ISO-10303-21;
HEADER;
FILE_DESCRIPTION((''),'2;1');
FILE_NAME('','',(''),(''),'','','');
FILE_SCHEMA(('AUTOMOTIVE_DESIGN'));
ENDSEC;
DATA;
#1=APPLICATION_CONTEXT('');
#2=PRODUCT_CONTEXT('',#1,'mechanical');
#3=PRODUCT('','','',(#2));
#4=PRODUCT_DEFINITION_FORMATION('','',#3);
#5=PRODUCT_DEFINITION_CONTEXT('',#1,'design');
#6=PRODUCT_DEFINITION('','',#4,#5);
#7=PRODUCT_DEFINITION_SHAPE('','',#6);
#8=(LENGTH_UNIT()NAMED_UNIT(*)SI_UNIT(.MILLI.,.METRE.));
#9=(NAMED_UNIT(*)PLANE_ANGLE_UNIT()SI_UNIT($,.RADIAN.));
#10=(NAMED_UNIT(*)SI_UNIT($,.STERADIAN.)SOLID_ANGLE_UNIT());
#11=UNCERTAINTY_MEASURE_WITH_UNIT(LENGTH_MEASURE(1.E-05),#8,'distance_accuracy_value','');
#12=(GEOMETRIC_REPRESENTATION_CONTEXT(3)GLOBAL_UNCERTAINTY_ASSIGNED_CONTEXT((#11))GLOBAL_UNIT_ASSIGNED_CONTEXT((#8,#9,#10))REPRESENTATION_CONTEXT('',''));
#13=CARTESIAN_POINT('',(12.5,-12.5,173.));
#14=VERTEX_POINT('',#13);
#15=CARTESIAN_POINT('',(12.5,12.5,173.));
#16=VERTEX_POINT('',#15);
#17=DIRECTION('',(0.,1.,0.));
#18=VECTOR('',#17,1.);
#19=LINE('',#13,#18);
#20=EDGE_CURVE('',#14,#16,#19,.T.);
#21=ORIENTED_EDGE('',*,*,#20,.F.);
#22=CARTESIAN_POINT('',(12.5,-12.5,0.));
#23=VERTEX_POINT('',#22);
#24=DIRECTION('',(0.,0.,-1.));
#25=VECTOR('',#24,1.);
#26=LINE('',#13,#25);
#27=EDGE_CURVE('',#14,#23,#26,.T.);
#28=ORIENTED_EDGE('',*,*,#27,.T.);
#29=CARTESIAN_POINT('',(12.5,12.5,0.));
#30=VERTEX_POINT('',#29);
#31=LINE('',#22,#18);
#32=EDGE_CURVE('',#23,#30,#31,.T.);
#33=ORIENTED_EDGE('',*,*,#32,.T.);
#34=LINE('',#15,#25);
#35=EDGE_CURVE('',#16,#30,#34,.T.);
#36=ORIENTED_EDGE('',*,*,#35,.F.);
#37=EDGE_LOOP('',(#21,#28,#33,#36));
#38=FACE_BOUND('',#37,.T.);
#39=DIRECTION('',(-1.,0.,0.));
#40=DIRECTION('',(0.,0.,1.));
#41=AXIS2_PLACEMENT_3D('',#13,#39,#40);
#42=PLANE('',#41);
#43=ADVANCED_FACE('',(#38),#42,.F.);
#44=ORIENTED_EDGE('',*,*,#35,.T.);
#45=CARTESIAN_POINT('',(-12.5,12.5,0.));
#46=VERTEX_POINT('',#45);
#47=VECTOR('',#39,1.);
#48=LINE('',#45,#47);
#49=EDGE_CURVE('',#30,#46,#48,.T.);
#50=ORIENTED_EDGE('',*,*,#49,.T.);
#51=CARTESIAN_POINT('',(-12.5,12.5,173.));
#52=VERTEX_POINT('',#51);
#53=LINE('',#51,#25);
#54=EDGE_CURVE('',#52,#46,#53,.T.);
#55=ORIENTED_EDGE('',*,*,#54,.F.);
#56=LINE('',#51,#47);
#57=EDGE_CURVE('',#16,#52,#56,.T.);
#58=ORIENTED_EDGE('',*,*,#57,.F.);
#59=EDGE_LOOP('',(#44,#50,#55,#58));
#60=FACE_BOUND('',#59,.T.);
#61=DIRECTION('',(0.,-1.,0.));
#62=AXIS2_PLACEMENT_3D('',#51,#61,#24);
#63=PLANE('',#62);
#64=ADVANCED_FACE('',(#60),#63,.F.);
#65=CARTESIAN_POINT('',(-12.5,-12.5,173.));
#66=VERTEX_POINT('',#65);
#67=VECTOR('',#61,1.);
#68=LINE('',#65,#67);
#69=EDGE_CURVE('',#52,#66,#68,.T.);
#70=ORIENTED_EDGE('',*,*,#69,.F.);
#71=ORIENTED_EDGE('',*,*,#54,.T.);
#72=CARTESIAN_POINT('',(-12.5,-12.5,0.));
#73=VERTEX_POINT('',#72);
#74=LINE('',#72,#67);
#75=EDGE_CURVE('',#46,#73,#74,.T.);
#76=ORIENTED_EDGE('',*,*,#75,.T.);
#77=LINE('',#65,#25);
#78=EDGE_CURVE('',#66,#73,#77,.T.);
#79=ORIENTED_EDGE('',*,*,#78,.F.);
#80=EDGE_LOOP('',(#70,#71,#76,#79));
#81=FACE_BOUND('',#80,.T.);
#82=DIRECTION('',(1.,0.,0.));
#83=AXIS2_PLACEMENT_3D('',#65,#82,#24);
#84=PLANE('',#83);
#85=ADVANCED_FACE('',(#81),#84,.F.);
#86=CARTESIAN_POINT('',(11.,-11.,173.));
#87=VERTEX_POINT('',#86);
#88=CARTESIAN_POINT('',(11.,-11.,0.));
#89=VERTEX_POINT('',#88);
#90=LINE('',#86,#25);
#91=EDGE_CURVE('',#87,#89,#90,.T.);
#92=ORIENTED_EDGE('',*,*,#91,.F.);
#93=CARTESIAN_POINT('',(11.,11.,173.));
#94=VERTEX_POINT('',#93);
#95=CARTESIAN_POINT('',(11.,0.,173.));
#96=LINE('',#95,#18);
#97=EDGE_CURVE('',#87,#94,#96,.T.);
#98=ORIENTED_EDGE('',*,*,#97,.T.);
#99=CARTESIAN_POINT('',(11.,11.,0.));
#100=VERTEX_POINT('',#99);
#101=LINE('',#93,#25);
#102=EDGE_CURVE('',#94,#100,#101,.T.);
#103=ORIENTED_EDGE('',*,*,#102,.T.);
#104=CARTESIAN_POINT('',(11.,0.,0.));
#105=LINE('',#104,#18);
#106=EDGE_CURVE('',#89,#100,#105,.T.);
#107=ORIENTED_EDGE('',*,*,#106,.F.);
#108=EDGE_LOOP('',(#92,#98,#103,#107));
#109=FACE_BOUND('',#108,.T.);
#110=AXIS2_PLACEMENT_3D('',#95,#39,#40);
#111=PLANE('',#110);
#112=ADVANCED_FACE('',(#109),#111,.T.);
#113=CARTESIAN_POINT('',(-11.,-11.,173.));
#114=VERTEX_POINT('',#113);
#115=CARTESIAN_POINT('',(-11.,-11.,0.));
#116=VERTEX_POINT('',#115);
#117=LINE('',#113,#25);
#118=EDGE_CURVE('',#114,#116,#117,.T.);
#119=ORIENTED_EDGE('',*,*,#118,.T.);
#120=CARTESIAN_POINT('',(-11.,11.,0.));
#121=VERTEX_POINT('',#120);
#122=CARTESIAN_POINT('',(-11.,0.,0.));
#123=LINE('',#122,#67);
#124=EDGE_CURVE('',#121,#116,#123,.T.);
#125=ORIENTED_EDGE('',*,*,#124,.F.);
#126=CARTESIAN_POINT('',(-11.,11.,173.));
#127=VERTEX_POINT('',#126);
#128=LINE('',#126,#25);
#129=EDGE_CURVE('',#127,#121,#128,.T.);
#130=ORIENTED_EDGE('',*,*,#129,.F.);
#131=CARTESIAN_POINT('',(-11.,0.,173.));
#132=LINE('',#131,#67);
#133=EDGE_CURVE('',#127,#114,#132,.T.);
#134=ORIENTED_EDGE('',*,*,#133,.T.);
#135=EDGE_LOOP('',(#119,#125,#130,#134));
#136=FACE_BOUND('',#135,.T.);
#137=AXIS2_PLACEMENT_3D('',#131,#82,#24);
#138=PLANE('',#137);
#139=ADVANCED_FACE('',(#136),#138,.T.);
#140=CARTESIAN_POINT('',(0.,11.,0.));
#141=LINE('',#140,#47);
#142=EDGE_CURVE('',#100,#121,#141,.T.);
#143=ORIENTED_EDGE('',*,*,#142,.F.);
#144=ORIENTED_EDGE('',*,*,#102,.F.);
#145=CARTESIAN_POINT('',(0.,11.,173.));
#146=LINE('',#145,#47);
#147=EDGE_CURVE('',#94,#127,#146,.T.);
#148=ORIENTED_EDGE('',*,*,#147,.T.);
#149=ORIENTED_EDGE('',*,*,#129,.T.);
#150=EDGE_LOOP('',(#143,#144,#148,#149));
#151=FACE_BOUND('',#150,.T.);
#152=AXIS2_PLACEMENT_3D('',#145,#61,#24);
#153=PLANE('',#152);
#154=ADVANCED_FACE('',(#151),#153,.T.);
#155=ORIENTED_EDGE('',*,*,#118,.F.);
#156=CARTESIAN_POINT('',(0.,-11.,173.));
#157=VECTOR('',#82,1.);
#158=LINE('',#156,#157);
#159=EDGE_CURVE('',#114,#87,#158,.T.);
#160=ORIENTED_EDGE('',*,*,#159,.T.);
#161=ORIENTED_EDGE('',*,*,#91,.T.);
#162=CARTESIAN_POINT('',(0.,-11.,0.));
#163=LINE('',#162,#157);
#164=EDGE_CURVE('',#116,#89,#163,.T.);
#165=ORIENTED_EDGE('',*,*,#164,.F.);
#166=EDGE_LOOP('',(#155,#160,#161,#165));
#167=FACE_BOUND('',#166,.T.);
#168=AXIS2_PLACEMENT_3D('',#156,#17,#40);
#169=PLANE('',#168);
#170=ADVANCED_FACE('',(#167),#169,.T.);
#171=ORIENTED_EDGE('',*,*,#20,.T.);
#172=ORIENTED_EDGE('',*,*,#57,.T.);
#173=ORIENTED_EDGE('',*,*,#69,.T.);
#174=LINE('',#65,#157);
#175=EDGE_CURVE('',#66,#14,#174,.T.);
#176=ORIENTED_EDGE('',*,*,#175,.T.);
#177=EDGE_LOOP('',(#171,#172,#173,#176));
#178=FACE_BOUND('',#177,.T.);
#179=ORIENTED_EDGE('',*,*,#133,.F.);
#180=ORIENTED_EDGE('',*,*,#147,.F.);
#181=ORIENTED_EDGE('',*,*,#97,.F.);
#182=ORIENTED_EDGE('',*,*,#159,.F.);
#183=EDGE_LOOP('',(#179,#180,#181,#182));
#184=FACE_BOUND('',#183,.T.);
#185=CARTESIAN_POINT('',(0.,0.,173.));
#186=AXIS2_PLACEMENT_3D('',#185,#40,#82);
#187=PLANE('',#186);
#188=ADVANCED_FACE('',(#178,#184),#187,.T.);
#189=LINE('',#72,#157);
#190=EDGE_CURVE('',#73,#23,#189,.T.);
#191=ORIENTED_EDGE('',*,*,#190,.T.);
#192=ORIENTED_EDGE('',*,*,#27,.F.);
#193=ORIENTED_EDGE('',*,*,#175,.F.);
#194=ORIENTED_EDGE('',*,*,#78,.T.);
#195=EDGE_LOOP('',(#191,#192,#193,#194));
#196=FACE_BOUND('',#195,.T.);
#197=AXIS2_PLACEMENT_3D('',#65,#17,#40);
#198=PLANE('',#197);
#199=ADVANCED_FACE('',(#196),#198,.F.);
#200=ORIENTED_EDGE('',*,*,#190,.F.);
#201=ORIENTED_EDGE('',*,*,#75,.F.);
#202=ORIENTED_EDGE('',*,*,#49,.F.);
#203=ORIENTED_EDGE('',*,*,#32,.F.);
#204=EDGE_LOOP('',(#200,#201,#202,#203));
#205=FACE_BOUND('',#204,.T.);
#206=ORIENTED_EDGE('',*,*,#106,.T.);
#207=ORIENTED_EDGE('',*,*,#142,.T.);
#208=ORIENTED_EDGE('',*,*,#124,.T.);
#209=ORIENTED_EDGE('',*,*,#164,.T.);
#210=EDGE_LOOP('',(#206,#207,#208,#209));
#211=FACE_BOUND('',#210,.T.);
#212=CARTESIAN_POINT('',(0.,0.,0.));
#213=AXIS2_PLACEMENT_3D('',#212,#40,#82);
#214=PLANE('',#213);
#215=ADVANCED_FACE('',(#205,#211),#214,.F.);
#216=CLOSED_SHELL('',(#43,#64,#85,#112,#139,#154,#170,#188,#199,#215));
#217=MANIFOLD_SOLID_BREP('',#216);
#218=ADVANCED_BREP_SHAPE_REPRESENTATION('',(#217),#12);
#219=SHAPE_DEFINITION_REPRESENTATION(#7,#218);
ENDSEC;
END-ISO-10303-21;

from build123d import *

# Parameters (mm, degrees)
SKIZZE1_W                    = 25
SKIZZE1_H                    = 25
SKIZZE1_W_2                  = 22
SKIZZE1_H_2                  = 22
LINEAR_AUSTRAGEN_D_NN1_DEPTH = 173


with BuildPart() as part:
    # Skizze1 → Linear-Austragen-Dünn1 (new body)
    with BuildSketch(Plane.XY):
        Rectangle(SKIZZE1_W, SKIZZE1_H)
        Rectangle(SKIZZE1_W_2, SKIZZE1_H_2, mode=Mode.SUBTRACT)
    extrude(amount=LINEAR_AUSTRAGEN_D_NN1_DEPTH)


solid = part.part
